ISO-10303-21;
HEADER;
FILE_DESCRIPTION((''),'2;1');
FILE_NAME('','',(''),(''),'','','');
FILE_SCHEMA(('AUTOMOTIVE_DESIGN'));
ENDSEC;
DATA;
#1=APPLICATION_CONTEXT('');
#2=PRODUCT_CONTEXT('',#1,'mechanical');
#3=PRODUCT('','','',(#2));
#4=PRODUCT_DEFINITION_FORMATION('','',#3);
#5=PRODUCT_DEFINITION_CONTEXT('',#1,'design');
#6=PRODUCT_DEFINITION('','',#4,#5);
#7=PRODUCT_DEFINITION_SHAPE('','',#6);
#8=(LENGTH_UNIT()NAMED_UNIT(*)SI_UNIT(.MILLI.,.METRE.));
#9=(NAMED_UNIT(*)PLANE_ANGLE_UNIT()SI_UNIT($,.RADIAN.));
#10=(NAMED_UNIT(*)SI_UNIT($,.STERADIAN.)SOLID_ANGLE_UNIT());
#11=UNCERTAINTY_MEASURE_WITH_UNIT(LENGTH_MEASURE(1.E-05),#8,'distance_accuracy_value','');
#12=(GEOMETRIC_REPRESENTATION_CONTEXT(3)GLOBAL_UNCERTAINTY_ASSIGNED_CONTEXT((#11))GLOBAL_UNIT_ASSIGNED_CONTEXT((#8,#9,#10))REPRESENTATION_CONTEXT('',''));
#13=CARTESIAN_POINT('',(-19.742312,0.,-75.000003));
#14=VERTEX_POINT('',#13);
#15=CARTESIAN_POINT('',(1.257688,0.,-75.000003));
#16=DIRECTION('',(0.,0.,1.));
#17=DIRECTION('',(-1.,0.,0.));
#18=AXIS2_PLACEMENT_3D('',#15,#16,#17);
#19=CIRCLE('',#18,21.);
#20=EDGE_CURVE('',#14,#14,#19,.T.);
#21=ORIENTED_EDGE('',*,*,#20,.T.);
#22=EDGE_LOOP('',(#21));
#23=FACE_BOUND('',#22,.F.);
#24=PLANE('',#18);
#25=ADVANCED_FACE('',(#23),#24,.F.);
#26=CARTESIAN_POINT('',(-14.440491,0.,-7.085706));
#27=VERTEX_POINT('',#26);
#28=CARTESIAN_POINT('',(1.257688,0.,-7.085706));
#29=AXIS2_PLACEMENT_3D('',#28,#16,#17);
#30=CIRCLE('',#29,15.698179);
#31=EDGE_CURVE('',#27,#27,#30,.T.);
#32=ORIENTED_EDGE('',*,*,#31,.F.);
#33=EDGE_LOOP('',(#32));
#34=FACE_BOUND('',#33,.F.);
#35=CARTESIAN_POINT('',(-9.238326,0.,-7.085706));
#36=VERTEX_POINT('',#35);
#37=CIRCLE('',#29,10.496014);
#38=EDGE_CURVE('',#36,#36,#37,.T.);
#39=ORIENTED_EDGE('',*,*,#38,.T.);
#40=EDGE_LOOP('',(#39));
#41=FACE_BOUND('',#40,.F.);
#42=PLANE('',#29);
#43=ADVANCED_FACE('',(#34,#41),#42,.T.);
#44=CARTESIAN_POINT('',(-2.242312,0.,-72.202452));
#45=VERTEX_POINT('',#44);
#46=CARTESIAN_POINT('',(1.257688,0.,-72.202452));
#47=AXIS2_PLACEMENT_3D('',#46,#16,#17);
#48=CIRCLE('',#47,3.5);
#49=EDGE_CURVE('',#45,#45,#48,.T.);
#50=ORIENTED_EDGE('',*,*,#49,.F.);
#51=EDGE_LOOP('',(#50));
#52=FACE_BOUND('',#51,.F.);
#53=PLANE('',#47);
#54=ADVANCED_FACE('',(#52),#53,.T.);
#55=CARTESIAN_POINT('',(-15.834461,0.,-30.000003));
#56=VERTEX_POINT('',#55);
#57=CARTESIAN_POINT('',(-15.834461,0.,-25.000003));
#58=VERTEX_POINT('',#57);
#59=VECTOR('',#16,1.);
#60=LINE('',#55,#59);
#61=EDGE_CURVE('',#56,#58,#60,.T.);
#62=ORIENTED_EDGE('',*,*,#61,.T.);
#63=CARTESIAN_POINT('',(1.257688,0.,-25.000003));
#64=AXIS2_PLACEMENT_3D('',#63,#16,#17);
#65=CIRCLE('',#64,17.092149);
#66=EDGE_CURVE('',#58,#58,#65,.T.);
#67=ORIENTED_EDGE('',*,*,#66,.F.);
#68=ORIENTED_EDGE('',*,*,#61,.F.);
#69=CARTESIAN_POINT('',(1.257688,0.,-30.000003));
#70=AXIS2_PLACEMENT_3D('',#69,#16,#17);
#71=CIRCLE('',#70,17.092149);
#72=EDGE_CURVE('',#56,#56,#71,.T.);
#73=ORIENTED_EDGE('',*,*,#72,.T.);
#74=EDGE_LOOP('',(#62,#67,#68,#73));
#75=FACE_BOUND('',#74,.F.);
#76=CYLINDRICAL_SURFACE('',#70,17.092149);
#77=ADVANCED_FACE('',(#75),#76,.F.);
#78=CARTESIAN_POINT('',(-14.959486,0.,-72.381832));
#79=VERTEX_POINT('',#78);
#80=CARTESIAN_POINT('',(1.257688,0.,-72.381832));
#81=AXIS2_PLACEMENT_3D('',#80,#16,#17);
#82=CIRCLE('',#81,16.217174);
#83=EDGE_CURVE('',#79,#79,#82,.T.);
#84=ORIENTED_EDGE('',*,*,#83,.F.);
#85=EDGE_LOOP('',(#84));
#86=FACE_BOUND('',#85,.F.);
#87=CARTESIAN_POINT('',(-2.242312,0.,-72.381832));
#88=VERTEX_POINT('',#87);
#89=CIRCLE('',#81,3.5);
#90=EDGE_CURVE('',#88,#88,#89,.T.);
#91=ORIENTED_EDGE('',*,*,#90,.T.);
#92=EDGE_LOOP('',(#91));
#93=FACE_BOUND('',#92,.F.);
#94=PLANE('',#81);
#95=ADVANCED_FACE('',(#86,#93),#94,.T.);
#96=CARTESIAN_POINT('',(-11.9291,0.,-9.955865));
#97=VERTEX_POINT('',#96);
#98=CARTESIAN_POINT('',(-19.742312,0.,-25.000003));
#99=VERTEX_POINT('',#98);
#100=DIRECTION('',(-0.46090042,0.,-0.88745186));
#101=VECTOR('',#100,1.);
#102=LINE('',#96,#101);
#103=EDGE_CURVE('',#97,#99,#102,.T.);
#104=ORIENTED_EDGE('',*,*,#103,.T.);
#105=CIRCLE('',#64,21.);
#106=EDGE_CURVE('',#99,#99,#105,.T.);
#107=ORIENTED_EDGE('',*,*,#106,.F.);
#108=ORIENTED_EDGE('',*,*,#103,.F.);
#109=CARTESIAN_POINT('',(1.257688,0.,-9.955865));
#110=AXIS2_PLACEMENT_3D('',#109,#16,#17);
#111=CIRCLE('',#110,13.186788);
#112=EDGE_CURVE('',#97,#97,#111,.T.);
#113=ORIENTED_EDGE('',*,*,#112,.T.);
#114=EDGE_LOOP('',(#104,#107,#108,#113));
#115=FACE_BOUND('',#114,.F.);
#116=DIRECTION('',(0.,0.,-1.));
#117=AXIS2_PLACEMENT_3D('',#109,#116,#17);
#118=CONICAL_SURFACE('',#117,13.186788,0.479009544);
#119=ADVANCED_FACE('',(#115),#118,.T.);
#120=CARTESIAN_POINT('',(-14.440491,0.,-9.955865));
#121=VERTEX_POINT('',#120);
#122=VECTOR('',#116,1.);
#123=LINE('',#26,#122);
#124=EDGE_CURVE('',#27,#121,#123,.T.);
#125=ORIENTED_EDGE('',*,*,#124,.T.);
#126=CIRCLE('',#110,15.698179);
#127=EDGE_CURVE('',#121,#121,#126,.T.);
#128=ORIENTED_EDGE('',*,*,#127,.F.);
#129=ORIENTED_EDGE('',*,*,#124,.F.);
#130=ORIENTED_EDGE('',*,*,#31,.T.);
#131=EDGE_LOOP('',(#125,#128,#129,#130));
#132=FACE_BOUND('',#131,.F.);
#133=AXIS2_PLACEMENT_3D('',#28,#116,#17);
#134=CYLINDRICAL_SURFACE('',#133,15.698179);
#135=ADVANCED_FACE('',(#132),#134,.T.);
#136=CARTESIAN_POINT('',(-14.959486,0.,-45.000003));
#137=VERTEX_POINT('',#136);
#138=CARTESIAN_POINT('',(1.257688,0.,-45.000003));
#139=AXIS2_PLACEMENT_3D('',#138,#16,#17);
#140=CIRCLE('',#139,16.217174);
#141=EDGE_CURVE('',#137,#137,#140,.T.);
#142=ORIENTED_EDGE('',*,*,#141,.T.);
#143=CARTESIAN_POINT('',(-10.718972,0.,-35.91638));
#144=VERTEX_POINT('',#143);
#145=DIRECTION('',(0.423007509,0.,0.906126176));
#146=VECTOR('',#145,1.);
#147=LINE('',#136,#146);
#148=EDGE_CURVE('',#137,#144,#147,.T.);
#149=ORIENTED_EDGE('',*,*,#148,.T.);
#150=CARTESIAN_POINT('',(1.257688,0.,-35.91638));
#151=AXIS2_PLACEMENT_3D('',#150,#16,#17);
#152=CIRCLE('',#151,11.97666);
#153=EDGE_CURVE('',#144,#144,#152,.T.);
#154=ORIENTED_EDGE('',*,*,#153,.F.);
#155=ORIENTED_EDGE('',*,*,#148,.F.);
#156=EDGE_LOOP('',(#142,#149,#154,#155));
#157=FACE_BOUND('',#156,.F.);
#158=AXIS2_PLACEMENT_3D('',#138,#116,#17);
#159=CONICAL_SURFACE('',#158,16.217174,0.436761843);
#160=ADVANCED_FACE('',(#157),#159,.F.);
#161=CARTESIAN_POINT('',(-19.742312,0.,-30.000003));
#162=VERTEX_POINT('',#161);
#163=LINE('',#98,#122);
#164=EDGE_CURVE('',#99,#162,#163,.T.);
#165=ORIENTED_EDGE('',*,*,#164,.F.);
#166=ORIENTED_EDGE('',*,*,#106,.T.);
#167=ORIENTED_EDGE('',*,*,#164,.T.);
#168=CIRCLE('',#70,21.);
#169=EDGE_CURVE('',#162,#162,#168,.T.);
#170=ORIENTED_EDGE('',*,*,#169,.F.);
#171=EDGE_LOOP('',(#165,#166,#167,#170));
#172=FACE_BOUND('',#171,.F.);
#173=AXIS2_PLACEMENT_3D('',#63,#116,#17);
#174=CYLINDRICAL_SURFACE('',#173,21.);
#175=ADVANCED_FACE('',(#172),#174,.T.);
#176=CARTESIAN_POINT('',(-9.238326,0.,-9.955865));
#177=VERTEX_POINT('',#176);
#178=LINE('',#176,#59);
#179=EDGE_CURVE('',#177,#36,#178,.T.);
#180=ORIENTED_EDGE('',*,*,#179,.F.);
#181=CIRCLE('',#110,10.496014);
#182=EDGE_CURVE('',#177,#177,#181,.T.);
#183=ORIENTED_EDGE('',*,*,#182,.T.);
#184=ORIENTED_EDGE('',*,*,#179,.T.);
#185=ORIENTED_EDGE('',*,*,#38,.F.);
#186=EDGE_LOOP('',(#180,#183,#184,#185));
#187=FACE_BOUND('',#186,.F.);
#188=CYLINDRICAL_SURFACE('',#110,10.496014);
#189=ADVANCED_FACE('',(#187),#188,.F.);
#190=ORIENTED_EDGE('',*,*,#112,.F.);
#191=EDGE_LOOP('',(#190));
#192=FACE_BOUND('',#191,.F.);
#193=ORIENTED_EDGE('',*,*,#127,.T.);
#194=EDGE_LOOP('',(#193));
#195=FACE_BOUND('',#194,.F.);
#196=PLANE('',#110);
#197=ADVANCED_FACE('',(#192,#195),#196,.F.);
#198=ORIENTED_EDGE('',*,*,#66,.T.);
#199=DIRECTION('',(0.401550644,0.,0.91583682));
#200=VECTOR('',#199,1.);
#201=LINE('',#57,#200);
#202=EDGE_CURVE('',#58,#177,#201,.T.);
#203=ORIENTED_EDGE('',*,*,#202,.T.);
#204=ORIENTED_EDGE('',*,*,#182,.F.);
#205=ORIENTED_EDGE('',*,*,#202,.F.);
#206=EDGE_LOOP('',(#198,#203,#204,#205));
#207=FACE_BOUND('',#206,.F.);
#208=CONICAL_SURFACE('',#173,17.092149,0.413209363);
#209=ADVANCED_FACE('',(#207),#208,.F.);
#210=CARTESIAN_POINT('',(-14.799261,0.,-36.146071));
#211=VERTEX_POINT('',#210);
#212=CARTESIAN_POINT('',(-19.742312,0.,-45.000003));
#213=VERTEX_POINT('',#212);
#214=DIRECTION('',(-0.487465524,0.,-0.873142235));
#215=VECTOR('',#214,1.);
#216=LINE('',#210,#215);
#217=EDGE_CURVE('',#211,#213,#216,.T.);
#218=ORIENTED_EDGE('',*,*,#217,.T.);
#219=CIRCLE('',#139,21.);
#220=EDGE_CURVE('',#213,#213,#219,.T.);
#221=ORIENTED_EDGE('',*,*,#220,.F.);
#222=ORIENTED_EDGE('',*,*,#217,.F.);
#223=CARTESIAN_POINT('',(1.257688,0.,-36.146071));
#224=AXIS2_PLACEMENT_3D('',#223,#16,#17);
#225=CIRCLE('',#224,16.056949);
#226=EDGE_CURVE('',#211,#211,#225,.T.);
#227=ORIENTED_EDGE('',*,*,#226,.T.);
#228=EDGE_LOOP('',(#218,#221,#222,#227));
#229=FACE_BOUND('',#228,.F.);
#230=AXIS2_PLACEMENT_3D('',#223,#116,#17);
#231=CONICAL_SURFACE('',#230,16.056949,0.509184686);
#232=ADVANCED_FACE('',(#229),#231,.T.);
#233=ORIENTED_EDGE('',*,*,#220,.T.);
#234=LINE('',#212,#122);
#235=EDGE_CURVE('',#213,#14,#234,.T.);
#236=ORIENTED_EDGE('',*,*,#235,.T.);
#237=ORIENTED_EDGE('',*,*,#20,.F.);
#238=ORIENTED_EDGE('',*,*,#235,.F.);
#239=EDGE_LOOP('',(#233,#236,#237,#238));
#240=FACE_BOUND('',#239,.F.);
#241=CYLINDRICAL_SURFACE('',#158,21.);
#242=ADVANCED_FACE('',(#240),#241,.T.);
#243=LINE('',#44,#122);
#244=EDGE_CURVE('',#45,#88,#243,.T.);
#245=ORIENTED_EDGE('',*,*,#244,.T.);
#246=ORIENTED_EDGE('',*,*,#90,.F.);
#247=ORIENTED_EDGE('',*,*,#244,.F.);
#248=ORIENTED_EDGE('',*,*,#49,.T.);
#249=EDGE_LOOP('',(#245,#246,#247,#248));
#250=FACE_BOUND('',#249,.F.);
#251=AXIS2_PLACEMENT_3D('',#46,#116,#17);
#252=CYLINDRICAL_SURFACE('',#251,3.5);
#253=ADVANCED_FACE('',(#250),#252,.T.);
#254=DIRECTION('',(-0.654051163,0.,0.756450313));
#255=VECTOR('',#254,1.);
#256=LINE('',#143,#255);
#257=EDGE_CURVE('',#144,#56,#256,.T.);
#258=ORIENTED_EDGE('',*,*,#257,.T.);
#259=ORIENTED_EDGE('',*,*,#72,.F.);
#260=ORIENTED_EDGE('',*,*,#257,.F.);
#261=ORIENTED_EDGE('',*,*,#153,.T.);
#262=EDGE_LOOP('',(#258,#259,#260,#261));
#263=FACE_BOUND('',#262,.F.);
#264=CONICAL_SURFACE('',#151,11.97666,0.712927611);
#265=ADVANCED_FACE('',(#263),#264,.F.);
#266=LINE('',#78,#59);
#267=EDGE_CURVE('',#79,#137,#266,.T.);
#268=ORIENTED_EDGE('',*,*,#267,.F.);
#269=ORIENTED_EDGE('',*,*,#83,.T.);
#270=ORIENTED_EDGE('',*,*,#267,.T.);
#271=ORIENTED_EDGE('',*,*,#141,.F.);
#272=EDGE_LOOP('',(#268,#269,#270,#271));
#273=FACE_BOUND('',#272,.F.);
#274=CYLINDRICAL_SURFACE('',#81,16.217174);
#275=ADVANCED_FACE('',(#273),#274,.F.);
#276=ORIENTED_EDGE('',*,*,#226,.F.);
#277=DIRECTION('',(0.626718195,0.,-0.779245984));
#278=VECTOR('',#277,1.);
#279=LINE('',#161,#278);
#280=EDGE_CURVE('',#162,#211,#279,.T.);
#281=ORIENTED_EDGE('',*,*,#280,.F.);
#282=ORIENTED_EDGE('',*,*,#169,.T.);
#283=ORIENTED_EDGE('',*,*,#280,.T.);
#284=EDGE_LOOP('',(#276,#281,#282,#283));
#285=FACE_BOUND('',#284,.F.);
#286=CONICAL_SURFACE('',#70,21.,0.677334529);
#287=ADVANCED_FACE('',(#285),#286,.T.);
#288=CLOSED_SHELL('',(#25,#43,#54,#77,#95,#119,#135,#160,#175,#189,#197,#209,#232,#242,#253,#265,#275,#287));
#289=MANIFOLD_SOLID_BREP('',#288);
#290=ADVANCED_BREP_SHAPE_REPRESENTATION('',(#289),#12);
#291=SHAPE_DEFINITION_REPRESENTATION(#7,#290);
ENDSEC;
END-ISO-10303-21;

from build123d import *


with BuildPart() as f1:
    # F0 (on Front) → F1 (revolve)
    with BuildSketch(Plane.XZ):
        Polygon((-19.742312, -75.000003), (-2.242312, -75.000003), (-2.242312, -72.381832), (-14.959486, -72.381832), (-14.959486, -45.000003), (-10.718972, -35.91638), (-15.834461, -30.000003), (-15.834461, -25.000003), (-9.238326, -9.955865), (-9.238326, -7.085706), (-14.440491, -7.085706), (-14.440491, -9.955865), (-11.9291, -9.955865), (-19.742312, -25.000003), (-19.742312, -30.000003), (-14.799261, -36.146071), (-19.742312, -45.000003), align=None)
        Polygon((-2.242312, -72.381832), (-2.242312, -75.000003), (1.257688, -75.000003), (1.257688, -72.202452), (-2.242312, -72.202452), align=None)
    revolve(axis=Axis((1.257688, 0, -73.601227), (0, 0, 1)))


solid = f1.part
